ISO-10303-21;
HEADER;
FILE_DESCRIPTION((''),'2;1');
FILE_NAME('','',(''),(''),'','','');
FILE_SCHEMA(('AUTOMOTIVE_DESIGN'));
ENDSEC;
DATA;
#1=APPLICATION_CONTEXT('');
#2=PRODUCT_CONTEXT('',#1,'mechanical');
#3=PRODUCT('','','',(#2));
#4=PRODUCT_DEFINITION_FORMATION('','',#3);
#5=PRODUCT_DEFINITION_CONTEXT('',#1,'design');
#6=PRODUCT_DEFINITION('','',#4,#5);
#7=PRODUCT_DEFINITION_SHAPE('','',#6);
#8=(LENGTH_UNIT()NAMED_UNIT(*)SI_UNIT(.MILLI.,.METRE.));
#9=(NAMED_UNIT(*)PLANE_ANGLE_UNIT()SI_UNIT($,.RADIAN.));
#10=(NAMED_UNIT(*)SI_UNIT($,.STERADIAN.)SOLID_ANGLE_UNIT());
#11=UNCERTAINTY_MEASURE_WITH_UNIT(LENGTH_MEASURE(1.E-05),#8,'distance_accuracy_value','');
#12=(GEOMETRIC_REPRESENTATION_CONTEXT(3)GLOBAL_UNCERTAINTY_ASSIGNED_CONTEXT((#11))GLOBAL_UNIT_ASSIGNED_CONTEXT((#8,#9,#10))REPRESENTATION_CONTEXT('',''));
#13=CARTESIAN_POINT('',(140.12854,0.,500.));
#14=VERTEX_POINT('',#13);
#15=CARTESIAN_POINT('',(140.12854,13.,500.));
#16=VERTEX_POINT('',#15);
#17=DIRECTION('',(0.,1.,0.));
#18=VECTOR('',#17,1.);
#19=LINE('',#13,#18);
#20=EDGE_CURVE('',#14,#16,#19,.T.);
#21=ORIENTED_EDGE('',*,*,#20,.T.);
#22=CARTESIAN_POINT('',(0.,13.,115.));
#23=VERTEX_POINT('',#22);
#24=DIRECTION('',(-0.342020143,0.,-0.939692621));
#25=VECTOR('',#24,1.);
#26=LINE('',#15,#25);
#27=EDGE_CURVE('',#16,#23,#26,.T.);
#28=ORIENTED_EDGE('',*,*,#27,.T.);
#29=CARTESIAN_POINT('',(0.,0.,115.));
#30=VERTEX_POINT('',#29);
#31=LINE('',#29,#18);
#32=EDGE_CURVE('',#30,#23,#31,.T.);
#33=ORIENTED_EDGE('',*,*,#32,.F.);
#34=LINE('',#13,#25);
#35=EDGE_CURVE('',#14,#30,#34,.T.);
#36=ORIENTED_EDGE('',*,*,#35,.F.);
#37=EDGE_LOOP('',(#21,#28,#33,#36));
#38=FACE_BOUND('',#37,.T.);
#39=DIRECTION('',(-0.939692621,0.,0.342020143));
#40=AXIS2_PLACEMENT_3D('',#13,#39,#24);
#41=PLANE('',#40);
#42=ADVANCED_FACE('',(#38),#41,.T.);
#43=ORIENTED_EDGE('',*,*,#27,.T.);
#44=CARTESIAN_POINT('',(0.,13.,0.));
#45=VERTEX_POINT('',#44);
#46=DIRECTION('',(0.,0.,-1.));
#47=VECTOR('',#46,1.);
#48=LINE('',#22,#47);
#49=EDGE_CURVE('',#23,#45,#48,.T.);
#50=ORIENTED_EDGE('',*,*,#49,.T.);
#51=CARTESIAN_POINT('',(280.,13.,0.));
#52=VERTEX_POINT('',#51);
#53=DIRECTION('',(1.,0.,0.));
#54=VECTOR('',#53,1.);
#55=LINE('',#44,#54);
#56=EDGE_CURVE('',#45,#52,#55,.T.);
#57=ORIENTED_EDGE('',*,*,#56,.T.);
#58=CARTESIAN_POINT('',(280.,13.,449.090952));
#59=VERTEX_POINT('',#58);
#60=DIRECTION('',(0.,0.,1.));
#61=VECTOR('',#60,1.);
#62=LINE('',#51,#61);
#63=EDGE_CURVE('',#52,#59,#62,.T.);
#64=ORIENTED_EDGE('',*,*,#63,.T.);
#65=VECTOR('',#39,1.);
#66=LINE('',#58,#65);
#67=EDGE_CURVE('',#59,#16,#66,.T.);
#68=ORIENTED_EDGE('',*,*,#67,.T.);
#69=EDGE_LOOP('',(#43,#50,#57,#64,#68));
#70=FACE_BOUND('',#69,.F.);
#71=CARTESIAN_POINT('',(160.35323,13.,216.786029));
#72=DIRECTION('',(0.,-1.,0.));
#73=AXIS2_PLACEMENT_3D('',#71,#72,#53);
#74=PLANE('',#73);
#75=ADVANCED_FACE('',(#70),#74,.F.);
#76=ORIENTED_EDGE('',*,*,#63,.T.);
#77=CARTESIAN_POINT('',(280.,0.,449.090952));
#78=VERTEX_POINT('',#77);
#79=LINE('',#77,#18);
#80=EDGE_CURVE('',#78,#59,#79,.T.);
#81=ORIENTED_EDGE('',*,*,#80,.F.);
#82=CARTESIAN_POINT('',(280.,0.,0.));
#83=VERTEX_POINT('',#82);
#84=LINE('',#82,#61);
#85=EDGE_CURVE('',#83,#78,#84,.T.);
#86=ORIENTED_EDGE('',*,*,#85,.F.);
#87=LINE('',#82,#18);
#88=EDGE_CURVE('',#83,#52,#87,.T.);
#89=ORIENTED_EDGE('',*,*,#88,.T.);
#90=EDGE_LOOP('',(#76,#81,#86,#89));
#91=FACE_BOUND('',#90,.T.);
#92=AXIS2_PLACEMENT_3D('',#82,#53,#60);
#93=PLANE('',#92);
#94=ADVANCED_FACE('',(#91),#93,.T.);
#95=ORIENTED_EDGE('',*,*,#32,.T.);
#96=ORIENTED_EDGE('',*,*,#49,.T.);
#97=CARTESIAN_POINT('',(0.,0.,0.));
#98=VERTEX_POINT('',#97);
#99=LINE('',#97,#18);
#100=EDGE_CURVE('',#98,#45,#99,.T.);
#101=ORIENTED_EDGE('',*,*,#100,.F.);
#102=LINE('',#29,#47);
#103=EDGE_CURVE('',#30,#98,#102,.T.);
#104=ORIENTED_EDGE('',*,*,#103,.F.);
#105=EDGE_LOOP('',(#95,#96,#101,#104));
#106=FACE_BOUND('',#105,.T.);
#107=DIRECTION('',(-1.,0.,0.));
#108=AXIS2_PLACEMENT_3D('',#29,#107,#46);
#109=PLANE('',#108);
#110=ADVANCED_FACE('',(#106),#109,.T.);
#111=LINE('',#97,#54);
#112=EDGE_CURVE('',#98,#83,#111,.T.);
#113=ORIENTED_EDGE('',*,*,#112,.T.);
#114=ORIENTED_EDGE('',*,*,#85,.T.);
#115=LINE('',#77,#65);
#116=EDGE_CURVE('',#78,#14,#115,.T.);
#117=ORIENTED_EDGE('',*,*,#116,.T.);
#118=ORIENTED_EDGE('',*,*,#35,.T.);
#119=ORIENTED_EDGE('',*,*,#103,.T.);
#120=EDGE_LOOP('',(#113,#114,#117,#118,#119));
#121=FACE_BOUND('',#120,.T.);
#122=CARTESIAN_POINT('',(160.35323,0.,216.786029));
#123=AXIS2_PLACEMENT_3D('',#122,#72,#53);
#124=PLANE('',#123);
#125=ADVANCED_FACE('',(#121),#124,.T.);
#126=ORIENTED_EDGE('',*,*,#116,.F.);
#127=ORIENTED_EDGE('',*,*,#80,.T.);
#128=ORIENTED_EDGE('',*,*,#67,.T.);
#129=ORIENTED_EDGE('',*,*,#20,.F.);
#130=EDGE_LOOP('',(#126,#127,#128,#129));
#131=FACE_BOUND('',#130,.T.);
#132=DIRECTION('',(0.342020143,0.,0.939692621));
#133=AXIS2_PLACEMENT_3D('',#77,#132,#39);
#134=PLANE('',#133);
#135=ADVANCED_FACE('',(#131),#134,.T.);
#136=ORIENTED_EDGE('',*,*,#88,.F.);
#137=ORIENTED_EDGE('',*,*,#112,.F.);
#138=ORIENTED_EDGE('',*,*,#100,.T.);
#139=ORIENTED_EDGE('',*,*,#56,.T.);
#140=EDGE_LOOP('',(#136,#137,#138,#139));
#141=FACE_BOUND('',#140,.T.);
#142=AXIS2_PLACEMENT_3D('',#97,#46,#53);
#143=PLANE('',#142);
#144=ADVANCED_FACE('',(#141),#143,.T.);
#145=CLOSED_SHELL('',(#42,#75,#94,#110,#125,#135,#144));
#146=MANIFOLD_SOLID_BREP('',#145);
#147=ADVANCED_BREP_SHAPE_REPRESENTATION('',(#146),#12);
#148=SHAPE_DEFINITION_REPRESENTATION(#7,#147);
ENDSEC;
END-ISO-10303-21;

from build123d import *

# Parameters (mm, degrees)
PAD_DEPTH = 13


with BuildPart() as part:
    # Sketch → Pad (new body)
    with BuildSketch(Plane.XZ):
        Polygon((0, 0), (280, 0), (280, 449.090952), (140.12854, 500), (0, 115), align=None)
    extrude(amount=-PAD_DEPTH)


solid = part.part
